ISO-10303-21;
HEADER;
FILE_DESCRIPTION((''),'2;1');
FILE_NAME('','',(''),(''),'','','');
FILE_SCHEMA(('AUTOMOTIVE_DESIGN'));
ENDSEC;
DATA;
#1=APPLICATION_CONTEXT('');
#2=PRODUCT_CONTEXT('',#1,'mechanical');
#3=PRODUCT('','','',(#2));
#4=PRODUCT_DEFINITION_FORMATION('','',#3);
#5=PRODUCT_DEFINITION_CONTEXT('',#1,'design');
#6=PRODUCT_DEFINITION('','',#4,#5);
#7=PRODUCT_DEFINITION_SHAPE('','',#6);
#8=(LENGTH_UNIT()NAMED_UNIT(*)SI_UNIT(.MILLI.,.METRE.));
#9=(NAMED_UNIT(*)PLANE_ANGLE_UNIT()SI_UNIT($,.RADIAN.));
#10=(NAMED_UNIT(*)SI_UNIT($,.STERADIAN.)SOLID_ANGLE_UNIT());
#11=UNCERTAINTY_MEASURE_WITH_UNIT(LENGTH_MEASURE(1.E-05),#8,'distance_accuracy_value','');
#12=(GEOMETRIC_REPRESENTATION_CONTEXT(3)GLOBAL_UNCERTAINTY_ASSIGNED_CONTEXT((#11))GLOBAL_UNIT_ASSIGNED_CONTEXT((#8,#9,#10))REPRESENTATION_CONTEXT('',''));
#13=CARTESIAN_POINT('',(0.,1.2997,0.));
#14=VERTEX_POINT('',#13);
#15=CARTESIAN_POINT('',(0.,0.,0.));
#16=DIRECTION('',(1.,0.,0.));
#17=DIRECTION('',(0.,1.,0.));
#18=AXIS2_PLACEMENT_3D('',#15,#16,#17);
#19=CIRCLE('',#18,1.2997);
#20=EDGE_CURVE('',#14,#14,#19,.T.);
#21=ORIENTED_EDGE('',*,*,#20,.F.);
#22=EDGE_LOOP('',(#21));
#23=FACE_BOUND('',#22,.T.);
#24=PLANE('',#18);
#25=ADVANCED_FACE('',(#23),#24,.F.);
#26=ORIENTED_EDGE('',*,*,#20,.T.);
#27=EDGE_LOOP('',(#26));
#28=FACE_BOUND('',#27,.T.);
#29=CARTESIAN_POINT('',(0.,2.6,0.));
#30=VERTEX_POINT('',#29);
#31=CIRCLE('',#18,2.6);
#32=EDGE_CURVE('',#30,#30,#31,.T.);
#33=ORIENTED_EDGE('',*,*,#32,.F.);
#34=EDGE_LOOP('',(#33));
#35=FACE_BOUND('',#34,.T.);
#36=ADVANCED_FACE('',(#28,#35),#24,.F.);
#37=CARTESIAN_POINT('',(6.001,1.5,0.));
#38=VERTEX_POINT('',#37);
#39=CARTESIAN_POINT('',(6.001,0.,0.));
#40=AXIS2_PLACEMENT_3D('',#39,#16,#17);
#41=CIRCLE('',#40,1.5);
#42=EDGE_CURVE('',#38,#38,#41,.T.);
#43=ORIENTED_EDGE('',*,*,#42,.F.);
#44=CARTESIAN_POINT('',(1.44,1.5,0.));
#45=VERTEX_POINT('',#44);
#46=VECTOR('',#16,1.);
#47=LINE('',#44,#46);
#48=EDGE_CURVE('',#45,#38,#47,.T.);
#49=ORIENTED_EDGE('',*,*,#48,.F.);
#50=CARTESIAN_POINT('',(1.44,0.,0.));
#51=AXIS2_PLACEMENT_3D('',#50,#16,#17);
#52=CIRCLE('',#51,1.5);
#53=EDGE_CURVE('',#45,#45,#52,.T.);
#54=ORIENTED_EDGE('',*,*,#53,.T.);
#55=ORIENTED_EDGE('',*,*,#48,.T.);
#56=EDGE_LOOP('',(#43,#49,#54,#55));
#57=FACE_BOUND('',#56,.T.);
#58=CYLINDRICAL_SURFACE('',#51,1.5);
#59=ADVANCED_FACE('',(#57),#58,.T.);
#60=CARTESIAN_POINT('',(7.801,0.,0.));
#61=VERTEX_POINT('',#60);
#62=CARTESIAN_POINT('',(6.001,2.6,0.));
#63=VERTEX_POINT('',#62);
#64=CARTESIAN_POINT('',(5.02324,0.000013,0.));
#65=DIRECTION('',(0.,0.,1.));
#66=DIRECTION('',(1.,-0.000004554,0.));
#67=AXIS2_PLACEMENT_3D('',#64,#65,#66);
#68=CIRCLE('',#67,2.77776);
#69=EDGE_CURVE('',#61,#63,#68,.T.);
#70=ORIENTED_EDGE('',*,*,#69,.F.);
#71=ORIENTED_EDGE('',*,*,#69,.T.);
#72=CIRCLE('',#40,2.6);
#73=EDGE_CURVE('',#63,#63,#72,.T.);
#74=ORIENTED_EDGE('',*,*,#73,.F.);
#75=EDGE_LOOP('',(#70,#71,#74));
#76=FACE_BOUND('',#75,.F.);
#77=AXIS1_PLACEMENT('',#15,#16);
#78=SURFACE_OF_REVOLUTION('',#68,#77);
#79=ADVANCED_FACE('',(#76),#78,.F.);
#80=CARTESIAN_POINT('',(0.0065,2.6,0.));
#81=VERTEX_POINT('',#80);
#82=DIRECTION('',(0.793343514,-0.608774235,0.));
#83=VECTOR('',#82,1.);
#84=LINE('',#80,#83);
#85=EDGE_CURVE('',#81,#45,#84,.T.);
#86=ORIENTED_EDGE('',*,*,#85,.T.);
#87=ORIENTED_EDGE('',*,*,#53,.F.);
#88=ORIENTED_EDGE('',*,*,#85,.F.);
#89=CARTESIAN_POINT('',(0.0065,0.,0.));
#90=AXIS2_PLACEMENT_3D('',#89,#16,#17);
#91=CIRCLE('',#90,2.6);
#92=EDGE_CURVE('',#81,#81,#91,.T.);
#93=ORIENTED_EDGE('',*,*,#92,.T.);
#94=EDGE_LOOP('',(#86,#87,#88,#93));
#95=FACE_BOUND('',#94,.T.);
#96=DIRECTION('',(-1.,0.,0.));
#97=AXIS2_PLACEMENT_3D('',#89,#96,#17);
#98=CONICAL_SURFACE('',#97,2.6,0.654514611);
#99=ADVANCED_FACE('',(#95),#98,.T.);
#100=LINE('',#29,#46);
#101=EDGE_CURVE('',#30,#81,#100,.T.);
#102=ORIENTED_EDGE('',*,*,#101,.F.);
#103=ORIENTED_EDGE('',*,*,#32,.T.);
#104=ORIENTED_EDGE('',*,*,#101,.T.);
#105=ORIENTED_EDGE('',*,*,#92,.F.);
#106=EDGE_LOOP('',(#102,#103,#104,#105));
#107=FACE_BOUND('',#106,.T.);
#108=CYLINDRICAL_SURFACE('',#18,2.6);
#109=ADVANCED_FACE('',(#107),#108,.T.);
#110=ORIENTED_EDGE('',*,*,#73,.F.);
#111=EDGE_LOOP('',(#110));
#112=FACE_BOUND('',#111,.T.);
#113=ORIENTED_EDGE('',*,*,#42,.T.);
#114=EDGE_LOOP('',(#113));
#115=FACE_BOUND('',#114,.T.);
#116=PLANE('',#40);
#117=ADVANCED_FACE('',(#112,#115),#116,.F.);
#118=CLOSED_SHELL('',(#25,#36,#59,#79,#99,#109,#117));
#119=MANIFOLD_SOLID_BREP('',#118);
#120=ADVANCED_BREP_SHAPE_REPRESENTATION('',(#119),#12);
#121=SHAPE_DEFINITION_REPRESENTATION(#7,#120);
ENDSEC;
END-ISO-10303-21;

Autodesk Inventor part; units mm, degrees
ref_plane "YZ Plane" through (0, 0, 0) normal (1, 0, 0) x (0, 1, 0)
ref_plane "XZ Plane" through (0, 0, 0) normal (0, 1, 0) x (-1, 0, 0)
ref_plane "XY Plane" through (0, 0, 0) normal (0, 0, 1) x (1, 0, 0)
sketch "Sketch" plane through (0, 0, 0) normal (0, 0, 1) x (1, 0, 0)
  line L0 (0, 0) -> (0, 2.6)
  line L1 (0, 2.6) -> (0.0065, 2.6)
  line L2 (0.0065, 2.6) -> (1.44, 1.5)
  line L3 (1.44, 1.5) -> (6.001, 1.5)
  line L4 (6.001, 1.5) -> (6.001, 2.6)
  line L5 (0, 0) -> (7.801, 0)
  arc A0 (7.801, 0) -> (6.001, 2.6) centre (5.0232, 0) ccw
  line L6 (-0.2879, 0) -> (1.7274, 0) projected
  line L7 (0, -0.2166) -> (0, 1.2997) projected
  dimension "d0" = 5.2
  dimension "d1" = 3
  dimension "d2" = 5.2
  dimension "d3" = 1.44
  dimension "d4" = 1.8
  dimension "d5" = 6.001
  dimension "d6" = 37.5
revolve "Body" add sketch "Sketch" angle 360 about axis through (0, 0, 0) along (1, 0, 0)
equation "\"d0\" = KOD"
equation "\"d1\" = NND1"
equation "\"d2\" = KOD1"
equation "\"d3\" = KOH"
equation "\"d4\" = KOH1"
equation "\"d6\" = 0.5 * SEWI"
equation "\"KLG\" = 6"
equation "\"NND1\" = 3"
equation "\"KOH\" = 1.44"
equation "\"KOD\" = 5.2"
equation "\"SEWI\" = 75deg"
equation "\"KOH1\" = 1.8"
equation "\"KOD1\" = 5.2"
equation "\"KLGMIN\" = 1.8"
equation "\"NND\" = 3"
equation "\"KLGMAX\" = 6"
properties part number "DIN 661 - A 3 x 10" material "Steel, Mild"
